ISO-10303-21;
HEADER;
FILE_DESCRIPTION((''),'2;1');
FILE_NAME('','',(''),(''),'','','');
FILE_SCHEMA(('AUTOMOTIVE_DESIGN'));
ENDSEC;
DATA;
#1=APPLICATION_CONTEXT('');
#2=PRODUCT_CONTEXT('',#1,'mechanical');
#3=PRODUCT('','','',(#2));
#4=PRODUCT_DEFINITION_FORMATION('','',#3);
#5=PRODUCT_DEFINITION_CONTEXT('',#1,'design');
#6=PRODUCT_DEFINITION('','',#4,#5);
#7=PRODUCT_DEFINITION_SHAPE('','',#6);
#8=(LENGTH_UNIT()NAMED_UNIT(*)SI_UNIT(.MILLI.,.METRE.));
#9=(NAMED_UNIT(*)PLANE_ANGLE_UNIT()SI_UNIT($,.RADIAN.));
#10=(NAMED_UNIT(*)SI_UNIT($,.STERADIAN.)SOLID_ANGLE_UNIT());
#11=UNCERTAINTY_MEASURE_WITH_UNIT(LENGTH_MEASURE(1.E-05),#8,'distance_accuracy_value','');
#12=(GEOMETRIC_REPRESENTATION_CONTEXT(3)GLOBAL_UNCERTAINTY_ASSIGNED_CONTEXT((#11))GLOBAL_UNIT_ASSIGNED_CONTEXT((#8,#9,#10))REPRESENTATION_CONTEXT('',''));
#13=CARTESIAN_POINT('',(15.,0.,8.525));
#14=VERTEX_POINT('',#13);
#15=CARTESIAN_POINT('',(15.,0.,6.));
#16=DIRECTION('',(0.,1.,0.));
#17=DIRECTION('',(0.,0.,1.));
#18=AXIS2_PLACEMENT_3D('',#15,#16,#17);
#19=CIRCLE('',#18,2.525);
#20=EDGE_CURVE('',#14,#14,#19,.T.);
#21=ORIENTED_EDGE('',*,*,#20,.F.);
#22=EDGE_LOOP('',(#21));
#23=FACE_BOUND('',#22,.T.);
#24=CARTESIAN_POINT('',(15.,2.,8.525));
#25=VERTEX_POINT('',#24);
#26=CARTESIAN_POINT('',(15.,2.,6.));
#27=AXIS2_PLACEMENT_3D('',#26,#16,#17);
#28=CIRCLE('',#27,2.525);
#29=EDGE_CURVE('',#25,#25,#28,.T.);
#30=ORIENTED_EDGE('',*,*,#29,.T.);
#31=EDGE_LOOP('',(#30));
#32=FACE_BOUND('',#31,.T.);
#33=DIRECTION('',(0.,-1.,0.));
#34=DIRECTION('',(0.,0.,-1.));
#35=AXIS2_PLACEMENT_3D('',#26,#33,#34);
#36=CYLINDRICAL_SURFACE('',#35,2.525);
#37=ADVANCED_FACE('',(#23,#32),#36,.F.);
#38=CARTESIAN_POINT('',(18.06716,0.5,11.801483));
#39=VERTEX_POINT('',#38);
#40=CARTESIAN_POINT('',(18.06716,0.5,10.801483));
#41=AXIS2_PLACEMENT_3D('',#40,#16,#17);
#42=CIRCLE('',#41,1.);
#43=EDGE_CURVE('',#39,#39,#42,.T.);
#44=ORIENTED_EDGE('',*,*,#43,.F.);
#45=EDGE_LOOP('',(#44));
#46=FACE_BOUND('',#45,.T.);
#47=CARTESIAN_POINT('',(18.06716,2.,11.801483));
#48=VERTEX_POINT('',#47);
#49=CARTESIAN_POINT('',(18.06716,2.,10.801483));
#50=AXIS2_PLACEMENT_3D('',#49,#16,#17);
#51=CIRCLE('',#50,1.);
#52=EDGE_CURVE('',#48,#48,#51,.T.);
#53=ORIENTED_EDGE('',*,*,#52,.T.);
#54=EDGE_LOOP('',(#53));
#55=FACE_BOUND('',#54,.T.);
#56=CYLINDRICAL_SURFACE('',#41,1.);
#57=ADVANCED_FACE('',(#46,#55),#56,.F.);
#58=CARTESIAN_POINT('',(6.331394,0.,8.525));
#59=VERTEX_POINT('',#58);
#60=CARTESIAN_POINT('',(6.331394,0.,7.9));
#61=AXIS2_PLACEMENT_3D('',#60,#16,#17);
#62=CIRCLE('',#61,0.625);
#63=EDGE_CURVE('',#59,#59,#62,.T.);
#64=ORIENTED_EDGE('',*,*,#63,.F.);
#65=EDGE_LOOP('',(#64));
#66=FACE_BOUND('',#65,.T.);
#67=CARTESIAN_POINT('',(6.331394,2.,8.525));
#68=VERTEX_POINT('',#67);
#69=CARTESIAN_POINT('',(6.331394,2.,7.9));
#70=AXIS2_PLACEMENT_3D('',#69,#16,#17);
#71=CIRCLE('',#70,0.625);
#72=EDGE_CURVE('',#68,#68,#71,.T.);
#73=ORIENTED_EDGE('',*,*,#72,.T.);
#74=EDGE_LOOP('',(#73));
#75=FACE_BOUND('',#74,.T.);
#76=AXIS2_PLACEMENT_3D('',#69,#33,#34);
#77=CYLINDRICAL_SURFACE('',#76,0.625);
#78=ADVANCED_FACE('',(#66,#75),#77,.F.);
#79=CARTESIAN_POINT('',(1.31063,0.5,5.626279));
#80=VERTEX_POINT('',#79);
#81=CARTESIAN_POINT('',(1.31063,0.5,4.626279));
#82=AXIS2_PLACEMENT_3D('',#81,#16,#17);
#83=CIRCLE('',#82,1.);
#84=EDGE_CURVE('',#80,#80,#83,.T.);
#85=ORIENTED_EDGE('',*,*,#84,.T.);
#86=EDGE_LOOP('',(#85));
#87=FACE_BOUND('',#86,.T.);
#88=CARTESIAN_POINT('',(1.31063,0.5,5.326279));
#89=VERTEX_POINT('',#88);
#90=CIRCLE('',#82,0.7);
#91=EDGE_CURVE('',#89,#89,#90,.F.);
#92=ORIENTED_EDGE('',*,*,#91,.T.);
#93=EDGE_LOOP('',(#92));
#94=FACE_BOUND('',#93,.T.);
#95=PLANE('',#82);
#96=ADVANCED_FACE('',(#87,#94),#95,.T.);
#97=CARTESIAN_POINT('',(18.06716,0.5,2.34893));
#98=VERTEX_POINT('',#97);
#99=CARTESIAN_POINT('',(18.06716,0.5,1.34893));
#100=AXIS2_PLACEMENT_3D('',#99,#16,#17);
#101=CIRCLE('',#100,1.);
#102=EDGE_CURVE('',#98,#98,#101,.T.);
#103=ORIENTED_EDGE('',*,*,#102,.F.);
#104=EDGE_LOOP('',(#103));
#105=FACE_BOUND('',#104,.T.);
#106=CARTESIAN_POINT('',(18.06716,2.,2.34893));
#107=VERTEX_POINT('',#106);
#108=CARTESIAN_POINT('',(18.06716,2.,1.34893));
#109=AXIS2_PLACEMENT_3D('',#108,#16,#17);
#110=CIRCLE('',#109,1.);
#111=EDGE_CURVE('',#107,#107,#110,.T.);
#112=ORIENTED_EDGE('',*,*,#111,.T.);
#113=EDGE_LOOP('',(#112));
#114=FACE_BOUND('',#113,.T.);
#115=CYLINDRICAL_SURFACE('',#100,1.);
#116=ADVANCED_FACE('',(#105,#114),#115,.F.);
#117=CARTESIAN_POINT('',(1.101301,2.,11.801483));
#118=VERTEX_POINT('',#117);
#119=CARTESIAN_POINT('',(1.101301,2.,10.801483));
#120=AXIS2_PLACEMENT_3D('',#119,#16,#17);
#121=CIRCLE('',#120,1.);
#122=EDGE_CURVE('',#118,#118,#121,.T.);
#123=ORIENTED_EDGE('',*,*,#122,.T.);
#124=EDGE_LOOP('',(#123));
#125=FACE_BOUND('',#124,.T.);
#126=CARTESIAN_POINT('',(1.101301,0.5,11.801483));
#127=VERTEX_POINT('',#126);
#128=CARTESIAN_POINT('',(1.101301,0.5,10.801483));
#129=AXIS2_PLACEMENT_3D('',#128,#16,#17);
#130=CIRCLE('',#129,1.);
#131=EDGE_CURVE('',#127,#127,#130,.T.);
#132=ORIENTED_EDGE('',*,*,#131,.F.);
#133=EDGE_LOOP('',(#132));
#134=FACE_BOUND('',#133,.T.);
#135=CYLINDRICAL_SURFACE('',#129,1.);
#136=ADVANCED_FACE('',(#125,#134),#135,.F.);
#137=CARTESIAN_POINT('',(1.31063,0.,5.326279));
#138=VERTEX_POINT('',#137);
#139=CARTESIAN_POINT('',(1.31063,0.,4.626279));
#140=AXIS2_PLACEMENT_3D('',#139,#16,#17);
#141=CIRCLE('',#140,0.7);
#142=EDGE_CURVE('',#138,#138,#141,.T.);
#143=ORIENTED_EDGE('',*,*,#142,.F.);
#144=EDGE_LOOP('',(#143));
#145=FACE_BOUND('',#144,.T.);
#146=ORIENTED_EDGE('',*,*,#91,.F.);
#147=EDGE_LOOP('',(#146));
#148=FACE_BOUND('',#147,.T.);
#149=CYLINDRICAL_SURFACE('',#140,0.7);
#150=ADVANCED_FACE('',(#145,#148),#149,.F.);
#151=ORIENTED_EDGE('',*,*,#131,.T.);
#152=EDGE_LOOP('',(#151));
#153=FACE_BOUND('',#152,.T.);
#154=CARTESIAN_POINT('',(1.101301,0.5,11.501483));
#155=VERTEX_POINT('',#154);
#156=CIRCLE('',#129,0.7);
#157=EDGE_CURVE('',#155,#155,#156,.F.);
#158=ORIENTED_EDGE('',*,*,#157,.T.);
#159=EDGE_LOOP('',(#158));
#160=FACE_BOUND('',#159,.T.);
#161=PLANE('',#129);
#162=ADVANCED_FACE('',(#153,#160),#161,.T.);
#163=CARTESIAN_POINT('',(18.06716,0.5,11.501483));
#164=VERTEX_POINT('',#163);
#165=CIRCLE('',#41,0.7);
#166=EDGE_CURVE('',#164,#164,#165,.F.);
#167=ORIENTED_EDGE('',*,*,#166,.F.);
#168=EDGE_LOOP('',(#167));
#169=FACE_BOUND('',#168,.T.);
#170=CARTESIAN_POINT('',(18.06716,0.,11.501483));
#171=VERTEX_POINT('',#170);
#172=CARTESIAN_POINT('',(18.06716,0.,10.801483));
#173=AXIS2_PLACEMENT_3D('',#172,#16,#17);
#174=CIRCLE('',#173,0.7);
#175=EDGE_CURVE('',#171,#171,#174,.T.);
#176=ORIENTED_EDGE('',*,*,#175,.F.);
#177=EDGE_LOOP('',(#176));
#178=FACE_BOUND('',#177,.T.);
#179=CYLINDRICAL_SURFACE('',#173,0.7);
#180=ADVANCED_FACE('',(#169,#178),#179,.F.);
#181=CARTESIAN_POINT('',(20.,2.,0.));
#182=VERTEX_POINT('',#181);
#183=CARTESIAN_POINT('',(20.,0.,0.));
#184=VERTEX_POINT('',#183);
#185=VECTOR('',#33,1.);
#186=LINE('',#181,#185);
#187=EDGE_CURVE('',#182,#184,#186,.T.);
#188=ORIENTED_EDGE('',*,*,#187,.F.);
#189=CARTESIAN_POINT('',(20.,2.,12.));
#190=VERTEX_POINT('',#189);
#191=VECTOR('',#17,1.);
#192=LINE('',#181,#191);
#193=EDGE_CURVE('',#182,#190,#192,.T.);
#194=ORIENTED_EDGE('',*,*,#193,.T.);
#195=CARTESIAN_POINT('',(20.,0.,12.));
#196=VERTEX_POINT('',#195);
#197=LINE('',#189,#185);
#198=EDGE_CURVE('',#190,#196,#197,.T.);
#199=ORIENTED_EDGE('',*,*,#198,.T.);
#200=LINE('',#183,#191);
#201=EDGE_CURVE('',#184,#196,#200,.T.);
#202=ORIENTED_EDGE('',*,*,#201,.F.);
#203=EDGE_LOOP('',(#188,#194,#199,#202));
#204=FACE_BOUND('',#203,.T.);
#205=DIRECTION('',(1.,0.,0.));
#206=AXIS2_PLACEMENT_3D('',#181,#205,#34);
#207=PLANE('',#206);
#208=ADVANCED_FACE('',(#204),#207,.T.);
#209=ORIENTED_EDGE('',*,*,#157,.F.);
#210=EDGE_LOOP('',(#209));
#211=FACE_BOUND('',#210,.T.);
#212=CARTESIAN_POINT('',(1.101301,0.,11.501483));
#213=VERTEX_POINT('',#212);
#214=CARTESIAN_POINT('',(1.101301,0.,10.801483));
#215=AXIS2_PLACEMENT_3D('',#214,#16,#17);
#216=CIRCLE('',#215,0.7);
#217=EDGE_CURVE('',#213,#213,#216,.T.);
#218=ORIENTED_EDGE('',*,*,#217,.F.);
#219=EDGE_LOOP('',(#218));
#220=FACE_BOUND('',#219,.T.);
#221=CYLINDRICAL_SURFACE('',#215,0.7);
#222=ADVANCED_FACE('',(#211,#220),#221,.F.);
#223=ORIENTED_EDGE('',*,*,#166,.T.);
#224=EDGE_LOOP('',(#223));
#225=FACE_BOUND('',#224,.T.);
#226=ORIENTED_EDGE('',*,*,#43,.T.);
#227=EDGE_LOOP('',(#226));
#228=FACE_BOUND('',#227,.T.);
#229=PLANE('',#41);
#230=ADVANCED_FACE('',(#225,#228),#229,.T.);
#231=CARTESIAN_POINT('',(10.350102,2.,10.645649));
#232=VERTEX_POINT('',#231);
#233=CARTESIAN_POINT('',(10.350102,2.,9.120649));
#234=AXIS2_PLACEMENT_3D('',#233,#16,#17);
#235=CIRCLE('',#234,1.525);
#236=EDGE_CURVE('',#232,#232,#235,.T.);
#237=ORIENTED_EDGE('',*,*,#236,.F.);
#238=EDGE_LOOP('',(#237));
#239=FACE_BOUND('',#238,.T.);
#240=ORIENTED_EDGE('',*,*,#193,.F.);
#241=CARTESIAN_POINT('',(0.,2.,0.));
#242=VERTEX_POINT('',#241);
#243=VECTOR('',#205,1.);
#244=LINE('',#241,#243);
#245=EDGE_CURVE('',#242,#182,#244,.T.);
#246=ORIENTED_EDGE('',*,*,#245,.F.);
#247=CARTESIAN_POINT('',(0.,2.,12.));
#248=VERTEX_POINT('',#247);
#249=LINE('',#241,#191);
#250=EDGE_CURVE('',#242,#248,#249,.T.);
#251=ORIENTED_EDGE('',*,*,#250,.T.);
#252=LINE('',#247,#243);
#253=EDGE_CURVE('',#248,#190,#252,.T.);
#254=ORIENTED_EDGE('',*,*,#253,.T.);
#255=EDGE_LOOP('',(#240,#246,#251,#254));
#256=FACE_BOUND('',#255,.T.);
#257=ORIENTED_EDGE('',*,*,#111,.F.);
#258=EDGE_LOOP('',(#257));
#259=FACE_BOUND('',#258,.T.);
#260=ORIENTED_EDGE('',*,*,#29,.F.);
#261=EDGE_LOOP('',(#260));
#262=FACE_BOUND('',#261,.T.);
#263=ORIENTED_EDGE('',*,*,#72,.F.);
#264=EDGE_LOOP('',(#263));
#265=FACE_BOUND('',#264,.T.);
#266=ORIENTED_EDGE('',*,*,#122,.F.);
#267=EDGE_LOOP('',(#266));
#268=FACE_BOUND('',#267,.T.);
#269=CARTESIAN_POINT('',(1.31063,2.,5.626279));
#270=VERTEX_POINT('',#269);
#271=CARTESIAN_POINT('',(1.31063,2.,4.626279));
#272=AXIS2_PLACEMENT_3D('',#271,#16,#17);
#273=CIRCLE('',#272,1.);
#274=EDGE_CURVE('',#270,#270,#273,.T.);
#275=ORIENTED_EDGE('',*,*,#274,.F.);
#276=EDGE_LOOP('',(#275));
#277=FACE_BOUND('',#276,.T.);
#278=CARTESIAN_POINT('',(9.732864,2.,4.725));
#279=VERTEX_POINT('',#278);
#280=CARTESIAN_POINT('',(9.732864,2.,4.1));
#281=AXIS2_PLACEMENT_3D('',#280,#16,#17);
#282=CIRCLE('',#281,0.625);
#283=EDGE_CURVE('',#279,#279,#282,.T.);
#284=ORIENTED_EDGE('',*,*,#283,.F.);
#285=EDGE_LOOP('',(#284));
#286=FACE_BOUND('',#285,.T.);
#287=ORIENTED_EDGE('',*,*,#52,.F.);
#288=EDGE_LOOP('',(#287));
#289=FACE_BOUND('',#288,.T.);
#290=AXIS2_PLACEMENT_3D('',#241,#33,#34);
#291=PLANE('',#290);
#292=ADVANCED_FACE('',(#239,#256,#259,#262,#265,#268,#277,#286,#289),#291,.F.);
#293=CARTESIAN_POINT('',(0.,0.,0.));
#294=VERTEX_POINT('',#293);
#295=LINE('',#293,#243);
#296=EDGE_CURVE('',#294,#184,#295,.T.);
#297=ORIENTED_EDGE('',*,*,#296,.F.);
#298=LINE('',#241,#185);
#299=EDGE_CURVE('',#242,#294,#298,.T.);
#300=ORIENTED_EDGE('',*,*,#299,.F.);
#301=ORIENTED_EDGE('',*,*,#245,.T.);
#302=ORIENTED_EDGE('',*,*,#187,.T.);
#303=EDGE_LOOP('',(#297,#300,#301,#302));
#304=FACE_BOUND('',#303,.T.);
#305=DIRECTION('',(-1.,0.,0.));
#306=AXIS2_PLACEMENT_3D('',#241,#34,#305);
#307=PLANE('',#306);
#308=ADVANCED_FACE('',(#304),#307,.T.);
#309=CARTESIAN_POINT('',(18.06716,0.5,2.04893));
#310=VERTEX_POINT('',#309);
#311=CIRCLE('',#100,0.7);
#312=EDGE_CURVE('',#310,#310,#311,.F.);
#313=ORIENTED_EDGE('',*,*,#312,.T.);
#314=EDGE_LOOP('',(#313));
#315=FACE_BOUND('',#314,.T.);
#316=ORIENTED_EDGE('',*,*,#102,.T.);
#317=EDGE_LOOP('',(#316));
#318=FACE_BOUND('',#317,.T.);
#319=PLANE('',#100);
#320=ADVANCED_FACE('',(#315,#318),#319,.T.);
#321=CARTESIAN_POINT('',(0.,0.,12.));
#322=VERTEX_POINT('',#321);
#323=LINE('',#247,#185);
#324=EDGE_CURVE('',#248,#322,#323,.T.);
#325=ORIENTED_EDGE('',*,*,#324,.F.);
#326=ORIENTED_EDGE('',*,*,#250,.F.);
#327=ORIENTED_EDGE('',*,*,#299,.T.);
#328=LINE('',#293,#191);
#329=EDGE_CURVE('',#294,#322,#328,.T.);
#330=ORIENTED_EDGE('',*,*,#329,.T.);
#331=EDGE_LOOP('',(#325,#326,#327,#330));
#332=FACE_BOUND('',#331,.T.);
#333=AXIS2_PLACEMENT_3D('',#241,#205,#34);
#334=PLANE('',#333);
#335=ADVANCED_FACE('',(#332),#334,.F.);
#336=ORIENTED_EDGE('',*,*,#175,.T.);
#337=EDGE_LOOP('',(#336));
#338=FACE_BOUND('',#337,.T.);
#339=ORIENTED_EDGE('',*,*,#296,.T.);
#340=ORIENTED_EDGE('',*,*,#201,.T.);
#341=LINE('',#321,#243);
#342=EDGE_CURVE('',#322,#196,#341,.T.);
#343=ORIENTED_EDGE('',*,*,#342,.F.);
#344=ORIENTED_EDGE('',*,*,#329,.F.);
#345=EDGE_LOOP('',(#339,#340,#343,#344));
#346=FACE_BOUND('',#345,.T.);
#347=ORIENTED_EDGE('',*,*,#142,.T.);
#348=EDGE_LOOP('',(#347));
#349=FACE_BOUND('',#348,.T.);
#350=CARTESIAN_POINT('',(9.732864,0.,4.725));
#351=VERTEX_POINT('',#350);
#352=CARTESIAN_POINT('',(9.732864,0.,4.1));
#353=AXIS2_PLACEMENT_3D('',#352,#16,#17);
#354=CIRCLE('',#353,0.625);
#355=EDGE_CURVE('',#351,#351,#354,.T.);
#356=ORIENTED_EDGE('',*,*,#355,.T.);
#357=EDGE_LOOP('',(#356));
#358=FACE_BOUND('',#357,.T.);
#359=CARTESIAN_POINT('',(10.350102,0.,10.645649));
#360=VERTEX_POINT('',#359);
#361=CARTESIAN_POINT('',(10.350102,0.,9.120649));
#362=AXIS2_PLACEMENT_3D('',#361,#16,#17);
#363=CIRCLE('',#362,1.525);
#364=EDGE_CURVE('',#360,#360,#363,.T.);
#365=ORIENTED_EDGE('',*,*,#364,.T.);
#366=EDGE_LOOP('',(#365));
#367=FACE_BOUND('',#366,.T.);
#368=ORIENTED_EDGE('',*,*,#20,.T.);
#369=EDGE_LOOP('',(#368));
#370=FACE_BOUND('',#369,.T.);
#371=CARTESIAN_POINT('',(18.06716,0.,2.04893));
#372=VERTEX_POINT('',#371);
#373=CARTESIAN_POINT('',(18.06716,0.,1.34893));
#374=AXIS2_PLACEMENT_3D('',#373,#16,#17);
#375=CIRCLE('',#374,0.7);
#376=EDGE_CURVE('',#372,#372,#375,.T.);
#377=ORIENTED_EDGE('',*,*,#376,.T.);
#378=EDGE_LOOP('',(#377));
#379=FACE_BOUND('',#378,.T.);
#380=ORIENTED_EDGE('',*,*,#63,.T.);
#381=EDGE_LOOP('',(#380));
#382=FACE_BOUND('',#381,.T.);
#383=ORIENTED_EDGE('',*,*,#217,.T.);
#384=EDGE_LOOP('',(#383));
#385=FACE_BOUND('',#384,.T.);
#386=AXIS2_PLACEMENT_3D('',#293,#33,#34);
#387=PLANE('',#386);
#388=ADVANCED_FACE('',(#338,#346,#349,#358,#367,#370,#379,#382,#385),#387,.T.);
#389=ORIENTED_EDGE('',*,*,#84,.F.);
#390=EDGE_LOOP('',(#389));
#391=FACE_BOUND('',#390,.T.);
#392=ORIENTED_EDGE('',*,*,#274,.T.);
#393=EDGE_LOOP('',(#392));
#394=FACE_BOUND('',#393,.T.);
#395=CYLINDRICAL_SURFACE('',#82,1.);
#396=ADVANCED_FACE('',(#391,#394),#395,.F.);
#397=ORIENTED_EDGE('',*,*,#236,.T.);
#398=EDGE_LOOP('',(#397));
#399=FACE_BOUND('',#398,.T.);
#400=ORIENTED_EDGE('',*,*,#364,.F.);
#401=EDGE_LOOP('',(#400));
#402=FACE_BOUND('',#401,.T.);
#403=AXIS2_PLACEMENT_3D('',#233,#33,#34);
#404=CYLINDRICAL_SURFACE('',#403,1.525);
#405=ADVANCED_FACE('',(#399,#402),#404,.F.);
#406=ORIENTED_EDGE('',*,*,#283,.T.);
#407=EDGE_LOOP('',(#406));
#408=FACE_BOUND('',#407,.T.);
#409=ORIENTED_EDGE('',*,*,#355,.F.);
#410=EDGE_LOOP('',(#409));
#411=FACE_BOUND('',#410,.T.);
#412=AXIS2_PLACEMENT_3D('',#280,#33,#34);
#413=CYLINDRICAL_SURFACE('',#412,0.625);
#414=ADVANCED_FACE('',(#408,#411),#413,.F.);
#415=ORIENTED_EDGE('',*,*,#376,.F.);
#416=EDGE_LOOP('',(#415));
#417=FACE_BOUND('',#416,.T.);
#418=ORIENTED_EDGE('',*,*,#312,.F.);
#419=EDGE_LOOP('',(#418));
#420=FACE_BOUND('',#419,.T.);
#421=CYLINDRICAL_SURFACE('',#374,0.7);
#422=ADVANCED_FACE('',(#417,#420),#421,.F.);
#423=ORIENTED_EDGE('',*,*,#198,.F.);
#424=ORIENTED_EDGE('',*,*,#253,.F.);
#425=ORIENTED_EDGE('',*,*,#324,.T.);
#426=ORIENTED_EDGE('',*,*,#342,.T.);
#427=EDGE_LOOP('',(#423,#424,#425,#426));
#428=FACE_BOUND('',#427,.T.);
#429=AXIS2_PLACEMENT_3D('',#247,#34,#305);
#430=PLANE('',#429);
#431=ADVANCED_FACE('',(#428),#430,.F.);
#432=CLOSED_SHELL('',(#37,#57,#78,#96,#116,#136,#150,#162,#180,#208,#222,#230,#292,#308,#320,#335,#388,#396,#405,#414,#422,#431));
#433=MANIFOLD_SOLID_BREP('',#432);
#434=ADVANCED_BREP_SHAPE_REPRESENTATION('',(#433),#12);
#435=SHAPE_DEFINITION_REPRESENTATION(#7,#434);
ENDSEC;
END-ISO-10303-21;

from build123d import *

# Parameters (mm, degrees)
SKETCH_1_W          = 20
SKETCH_1_H          = 12
SKETCH_1_R          = 0.625
SKETCH_1_R_2        = 1.525
SKETCH_1_R_3        = 2.525
EXTRUDE_1_DEPTH     = 2
SKETCH_3_R          = 0.7
CUT_EXTRUDE_1_DEPTH = 24.409399821
SKETCH_3_3_R        = 1
CUT_EXTRUDE_2_DEPTH = 1.5


with BuildPart() as part:
    # 草图1 → 凸台-拉伸1 (new body)
    with BuildSketch(Plane(origin=(0, 0, 0), x_dir=(1, 0, 0), z_dir=(0, 1, 0))):
        with Locations((10, -6)):
            Rectangle(SKETCH_1_W, SKETCH_1_H)
        with Locations((9.732863826, -4.1)):
            Circle(SKETCH_1_R, mode=Mode.SUBTRACT)
        with Locations((10.350101922, -9.120648628)):
            Circle(SKETCH_1_R_2, mode=Mode.SUBTRACT)
        with Locations((6.331393556, -7.9)):
            Circle(SKETCH_1_R, mode=Mode.SUBTRACT)
        with Locations((15, -6)):
            Circle(SKETCH_1_R_3, mode=Mode.SUBTRACT)
    extrude(amount=EXTRUDE_1_DEPTH)

    # 草图3 → 切除-拉伸1 (cut, through all)
    with BuildSketch(Plane(origin=(0, 2, 0), x_dir=(1, 0, 0), z_dir=(0, 1, 0))):
        with Locations((1.101301337, -10.801482832)):
            Circle(SKETCH_3_R)
        with Locations((1.310630289, -4.626278754)):
            Circle(SKETCH_3_R)
        with Locations((18.067159924, -1.34892989)):
            Circle(SKETCH_3_R)
        with Locations((18.067159924, -10.801482832)):
            Circle(SKETCH_3_R)
    extrude(amount=-CUT_EXTRUDE_1_DEPTH, mode=Mode.SUBTRACT)

    # 草图3<3> → 切除-拉伸2 (cut)
    with BuildSketch(Plane(origin=(0, 2, 0), x_dir=(1, 0, 0), z_dir=(0, 1, 0))):
        with Locations((1.310630289, -4.626278754)):
            Circle(SKETCH_3_3_R)
        with Locations((1.101301337, -10.801482832)):
            Circle(SKETCH_3_3_R)
        with Locations((18.067159924, -1.34892989)):
            Circle(SKETCH_3_3_R)
        with Locations((18.067159924, -10.801482832)):
            Circle(SKETCH_3_3_R)
    extrude(amount=-CUT_EXTRUDE_2_DEPTH, mode=Mode.SUBTRACT)


solid = part.part
